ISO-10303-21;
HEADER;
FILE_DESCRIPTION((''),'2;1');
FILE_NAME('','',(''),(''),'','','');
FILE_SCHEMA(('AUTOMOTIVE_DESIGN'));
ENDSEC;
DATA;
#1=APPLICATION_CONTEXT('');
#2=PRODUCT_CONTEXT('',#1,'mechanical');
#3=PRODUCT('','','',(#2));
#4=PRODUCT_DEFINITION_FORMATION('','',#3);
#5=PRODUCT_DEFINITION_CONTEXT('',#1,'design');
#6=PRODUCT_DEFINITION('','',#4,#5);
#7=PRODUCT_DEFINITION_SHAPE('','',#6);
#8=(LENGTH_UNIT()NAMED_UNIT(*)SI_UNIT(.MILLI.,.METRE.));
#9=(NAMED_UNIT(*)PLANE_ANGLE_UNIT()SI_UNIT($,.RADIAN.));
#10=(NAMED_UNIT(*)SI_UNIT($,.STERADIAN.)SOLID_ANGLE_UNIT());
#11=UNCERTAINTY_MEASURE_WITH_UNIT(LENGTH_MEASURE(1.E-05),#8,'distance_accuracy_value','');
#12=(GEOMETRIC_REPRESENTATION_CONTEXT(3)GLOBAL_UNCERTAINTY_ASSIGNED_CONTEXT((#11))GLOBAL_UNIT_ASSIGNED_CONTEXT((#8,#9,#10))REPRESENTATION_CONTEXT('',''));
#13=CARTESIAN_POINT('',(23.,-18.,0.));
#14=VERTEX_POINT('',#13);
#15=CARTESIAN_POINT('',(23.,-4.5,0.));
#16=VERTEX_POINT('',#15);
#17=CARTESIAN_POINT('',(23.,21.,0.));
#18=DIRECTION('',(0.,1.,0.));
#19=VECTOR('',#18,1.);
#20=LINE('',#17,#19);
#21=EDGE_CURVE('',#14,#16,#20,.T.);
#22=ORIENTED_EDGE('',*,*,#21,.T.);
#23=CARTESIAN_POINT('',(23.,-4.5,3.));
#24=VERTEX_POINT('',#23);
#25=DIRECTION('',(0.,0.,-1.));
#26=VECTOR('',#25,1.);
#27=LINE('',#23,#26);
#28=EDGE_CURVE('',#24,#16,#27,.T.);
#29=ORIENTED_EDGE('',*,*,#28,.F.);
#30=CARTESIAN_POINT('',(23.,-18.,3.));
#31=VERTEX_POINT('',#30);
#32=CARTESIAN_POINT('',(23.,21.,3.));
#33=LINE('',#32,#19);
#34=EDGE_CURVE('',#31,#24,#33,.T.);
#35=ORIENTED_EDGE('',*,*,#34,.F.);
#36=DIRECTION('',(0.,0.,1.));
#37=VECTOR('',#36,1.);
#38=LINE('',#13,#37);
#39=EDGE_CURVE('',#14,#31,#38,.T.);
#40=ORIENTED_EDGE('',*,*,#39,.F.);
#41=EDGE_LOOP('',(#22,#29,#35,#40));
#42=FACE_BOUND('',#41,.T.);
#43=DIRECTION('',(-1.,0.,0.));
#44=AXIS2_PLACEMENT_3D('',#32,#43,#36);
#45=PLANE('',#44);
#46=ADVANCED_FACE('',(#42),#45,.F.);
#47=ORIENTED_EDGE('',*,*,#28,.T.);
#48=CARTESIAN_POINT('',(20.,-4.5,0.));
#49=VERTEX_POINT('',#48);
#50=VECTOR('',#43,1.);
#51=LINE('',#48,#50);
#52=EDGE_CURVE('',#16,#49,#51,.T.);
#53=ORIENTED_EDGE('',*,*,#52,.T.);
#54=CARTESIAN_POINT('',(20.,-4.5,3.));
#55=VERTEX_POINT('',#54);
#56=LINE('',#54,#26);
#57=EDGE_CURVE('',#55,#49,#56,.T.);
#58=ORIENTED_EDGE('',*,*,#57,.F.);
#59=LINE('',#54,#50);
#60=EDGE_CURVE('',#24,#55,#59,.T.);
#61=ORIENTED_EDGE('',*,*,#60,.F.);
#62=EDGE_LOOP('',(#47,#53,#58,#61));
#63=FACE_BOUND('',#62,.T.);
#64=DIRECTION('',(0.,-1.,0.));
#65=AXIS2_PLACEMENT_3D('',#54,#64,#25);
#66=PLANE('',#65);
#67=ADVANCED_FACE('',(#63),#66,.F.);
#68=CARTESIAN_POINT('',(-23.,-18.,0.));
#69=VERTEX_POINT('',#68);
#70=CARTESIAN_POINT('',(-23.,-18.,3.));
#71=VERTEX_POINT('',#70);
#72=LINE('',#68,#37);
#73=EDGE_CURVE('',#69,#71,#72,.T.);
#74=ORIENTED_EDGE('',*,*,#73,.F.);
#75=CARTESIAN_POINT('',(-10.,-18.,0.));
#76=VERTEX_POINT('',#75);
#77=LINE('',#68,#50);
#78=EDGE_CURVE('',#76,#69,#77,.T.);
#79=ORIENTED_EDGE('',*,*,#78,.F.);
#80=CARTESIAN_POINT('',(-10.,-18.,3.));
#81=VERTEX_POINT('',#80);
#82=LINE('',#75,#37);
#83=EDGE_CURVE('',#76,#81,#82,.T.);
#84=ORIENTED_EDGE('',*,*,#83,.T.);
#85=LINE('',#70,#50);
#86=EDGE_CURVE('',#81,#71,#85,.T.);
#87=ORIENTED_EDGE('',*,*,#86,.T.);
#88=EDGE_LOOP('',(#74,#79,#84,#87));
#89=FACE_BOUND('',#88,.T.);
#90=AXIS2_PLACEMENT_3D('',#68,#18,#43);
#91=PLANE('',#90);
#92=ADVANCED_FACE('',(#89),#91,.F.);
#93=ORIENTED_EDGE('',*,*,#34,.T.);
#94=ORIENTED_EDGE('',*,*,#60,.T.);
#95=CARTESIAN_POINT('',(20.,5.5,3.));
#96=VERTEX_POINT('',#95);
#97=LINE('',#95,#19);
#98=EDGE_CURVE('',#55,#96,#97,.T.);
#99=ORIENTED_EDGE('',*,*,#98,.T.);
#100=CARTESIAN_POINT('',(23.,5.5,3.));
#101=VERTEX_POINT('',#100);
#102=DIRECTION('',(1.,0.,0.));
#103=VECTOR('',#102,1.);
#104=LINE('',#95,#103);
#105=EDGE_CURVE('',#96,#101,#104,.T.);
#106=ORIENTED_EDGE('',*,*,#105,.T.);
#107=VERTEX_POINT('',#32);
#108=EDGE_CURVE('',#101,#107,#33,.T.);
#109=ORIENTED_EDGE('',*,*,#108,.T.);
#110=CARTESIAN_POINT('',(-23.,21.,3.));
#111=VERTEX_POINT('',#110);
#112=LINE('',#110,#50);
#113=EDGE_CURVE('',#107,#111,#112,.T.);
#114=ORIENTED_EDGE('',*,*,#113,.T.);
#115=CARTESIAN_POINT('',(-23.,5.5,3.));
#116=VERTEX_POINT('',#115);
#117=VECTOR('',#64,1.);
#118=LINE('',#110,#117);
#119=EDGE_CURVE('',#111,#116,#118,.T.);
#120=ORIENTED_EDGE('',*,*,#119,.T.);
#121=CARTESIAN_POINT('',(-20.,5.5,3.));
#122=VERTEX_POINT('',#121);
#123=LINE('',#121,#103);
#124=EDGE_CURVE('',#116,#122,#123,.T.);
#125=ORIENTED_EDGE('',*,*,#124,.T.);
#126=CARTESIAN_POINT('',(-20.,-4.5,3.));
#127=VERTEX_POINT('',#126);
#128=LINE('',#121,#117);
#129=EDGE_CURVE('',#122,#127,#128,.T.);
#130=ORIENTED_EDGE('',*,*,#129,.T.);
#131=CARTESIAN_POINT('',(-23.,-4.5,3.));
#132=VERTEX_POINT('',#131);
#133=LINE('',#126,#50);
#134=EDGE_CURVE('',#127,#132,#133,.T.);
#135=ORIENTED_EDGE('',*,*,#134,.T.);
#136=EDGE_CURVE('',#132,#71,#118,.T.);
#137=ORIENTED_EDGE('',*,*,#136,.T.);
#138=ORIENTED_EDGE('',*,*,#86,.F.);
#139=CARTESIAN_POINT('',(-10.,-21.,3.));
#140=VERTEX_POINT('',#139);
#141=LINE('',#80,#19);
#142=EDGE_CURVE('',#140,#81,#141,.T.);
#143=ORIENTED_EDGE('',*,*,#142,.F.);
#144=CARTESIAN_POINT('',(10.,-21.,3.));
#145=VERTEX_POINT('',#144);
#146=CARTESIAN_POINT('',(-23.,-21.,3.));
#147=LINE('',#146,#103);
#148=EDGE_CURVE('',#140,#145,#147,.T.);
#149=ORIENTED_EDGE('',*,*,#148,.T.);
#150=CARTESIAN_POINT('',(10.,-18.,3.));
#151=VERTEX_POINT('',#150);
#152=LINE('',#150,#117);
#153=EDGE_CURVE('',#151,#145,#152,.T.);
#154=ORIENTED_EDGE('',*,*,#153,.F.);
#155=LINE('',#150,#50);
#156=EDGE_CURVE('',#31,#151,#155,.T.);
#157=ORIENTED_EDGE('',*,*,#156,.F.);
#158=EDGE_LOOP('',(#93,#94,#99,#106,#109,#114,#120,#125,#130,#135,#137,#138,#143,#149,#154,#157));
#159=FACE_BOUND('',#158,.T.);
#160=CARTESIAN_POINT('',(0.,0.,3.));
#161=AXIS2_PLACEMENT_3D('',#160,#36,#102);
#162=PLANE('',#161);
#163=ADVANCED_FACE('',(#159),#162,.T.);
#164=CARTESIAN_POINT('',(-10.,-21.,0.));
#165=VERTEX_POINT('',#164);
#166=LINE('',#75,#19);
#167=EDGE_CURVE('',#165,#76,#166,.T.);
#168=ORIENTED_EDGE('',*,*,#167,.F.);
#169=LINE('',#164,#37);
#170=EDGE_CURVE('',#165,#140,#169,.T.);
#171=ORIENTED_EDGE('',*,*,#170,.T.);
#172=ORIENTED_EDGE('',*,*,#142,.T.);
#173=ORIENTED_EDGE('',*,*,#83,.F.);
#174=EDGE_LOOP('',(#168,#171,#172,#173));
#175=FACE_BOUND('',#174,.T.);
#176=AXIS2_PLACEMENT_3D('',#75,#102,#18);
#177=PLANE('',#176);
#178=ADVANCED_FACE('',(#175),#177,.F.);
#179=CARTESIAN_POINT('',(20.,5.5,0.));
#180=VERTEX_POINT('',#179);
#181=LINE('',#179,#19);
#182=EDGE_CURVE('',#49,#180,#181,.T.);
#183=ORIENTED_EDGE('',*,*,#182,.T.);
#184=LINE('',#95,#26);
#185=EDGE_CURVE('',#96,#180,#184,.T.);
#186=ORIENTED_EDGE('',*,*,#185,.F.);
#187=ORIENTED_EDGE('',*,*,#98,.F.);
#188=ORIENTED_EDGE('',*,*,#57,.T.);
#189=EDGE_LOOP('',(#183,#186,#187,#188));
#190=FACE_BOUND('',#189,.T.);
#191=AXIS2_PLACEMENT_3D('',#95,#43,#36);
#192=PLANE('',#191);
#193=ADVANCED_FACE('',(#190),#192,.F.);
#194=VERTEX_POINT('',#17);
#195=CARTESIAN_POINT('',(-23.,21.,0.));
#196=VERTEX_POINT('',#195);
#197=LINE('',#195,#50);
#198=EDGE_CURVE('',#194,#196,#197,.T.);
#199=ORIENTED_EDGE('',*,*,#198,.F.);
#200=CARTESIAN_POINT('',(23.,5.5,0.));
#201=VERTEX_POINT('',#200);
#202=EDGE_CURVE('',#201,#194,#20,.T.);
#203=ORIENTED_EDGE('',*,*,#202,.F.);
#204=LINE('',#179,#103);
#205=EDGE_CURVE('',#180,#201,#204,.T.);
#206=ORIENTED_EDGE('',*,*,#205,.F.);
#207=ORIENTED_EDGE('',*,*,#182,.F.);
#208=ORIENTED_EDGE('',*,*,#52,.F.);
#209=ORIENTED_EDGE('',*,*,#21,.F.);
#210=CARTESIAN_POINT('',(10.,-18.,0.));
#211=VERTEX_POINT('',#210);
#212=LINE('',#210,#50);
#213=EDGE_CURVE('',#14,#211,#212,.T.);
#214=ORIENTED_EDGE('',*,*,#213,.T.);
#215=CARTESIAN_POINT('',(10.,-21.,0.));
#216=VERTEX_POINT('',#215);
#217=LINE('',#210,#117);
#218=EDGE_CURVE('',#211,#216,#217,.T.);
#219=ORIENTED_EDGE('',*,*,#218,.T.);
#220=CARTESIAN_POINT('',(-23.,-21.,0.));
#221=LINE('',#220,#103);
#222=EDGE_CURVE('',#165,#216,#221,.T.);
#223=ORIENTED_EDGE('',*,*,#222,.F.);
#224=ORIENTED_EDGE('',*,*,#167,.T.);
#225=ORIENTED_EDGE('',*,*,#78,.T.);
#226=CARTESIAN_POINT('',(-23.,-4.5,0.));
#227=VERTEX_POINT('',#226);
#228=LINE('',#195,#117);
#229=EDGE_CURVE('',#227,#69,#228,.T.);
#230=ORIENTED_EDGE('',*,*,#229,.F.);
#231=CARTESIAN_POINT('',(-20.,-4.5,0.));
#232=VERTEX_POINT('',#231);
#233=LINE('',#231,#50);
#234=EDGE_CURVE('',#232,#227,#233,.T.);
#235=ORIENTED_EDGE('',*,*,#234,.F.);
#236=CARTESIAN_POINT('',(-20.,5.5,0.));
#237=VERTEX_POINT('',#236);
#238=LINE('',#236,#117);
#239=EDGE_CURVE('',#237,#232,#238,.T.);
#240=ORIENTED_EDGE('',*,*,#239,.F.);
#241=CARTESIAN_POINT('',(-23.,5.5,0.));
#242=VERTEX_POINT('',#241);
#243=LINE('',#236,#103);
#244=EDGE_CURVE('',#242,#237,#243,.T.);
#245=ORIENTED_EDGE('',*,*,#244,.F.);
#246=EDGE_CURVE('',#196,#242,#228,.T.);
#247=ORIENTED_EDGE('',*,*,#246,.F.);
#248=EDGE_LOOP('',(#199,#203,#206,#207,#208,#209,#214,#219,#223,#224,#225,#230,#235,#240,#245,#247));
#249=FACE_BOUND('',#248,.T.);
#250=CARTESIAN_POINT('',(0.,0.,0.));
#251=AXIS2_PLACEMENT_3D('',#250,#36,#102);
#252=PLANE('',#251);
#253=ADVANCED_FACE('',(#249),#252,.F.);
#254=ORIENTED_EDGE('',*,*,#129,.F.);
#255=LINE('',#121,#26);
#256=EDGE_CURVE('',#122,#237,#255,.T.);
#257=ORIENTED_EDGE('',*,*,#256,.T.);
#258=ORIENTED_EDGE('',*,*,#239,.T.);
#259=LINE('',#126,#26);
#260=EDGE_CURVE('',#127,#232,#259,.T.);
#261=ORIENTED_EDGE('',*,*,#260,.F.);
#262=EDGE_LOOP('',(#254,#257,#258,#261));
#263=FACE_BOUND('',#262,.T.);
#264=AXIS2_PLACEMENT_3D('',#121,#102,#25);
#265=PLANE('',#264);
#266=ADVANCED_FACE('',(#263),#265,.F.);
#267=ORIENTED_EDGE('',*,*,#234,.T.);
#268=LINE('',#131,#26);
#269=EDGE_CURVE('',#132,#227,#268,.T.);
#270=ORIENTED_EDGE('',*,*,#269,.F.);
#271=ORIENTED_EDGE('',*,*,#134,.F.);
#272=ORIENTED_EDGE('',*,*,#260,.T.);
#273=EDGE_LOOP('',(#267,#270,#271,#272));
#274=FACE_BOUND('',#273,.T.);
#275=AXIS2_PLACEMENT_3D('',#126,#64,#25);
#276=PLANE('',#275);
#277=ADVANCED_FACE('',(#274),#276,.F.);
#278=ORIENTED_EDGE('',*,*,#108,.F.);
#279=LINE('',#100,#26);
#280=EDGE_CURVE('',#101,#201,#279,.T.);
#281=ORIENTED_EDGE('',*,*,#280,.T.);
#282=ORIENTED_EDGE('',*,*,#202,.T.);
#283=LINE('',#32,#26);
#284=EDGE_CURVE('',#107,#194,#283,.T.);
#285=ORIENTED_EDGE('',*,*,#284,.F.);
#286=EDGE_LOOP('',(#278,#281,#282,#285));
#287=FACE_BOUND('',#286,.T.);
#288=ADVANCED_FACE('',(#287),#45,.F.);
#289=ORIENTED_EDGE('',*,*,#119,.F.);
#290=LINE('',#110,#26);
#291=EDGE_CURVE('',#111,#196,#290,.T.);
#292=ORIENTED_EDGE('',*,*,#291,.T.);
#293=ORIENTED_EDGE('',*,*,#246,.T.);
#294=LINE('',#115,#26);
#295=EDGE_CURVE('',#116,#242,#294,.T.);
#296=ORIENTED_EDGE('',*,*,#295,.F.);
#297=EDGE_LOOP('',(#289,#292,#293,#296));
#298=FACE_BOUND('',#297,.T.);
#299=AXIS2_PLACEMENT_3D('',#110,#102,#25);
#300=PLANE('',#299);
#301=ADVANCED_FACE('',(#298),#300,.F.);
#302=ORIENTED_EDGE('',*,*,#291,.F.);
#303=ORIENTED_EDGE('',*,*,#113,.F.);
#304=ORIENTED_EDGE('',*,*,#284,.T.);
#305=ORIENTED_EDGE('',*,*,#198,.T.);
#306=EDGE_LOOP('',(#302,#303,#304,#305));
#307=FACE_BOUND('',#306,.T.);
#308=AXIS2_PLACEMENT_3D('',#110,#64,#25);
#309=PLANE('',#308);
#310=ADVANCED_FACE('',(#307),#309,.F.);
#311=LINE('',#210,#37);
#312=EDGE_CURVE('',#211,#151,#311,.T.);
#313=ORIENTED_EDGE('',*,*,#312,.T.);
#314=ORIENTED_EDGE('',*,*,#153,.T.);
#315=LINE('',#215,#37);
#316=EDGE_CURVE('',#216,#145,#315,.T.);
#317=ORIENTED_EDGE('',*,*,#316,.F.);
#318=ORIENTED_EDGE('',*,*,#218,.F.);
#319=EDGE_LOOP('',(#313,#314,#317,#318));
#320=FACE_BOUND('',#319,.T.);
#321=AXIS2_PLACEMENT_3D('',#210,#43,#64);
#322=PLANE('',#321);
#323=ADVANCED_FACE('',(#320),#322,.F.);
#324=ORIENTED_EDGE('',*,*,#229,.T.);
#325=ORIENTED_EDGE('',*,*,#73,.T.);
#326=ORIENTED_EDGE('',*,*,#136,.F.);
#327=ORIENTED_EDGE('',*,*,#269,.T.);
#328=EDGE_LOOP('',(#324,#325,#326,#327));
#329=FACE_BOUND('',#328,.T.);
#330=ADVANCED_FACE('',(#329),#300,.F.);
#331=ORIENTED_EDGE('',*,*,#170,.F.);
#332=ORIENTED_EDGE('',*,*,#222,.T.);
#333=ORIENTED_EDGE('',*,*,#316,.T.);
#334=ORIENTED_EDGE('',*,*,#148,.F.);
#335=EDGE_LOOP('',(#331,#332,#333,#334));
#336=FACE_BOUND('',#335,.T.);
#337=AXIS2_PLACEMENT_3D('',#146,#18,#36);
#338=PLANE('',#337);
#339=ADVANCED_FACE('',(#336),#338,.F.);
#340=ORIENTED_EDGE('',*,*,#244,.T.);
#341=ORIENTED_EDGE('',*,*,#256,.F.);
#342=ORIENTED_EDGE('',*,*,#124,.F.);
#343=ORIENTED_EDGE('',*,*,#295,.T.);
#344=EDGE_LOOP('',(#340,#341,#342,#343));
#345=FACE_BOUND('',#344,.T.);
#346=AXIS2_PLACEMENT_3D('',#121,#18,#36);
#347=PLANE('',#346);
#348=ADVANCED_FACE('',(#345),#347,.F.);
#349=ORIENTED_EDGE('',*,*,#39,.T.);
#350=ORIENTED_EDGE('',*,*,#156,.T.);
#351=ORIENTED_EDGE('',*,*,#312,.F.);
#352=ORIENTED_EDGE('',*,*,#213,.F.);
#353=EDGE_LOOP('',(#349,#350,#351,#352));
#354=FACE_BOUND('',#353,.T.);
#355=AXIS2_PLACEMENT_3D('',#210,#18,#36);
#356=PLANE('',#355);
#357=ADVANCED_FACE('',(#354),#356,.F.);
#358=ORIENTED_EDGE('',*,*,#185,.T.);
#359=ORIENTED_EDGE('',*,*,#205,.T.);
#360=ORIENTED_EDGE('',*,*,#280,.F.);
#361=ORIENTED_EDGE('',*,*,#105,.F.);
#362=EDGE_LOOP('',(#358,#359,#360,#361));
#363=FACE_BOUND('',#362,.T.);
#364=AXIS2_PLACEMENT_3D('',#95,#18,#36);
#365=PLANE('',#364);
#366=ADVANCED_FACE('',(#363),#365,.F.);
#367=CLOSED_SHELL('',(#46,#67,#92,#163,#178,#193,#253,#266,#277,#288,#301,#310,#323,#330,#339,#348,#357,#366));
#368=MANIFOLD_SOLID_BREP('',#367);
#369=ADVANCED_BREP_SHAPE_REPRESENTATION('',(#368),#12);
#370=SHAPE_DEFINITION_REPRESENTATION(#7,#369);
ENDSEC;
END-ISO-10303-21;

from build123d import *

# Parameters (mm, degrees)
SKETCH1_W           = 46
SKETCH1_H           = 42
BOSS_EXTRUDE1_DEPTH = 3
SKETCH2_W           = 13
SKETCH2_H           = 3
CUT_EXTRUDE1_DEPTH  = 32.288975694
SKETCH3_W           = 3
SKETCH3_H           = 10
CUT_EXTRUDE2_DEPTH  = 32.288975694


with BuildPart() as part:
    # Sketch1 → Boss-Extrude1 (new body)
    with BuildSketch(Plane.XY):
        Rectangle(SKETCH1_W, SKETCH1_H)
    extrude(amount=BOSS_EXTRUDE1_DEPTH)

    # Sketch2 → Cut-Extrude1 (cut, through all)
    with BuildSketch(Plane.XY.offset(3)):
        with Locations((-16.5, -19.5)):
            Rectangle(SKETCH2_W, SKETCH2_H)
        with Locations((16.5, -19.5)):
            Rectangle(SKETCH2_W, SKETCH2_H)
    extrude(amount=-CUT_EXTRUDE1_DEPTH, mode=Mode.SUBTRACT)

    # Sketch3 → Cut-Extrude2 (cut, through all)
    with BuildSketch(Plane(origin=(0, 0, 0), x_dir=(-1, 0, 0), z_dir=(0, 0, -1))):
        with Locations((-21.5, 0.5)):
            Rectangle(SKETCH3_W, SKETCH3_H)
        with Locations((21.5, 0.5)):
            Rectangle(SKETCH3_W, SKETCH3_H)
    extrude(amount=-CUT_EXTRUDE2_DEPTH, mode=Mode.SUBTRACT)


solid = part.part
